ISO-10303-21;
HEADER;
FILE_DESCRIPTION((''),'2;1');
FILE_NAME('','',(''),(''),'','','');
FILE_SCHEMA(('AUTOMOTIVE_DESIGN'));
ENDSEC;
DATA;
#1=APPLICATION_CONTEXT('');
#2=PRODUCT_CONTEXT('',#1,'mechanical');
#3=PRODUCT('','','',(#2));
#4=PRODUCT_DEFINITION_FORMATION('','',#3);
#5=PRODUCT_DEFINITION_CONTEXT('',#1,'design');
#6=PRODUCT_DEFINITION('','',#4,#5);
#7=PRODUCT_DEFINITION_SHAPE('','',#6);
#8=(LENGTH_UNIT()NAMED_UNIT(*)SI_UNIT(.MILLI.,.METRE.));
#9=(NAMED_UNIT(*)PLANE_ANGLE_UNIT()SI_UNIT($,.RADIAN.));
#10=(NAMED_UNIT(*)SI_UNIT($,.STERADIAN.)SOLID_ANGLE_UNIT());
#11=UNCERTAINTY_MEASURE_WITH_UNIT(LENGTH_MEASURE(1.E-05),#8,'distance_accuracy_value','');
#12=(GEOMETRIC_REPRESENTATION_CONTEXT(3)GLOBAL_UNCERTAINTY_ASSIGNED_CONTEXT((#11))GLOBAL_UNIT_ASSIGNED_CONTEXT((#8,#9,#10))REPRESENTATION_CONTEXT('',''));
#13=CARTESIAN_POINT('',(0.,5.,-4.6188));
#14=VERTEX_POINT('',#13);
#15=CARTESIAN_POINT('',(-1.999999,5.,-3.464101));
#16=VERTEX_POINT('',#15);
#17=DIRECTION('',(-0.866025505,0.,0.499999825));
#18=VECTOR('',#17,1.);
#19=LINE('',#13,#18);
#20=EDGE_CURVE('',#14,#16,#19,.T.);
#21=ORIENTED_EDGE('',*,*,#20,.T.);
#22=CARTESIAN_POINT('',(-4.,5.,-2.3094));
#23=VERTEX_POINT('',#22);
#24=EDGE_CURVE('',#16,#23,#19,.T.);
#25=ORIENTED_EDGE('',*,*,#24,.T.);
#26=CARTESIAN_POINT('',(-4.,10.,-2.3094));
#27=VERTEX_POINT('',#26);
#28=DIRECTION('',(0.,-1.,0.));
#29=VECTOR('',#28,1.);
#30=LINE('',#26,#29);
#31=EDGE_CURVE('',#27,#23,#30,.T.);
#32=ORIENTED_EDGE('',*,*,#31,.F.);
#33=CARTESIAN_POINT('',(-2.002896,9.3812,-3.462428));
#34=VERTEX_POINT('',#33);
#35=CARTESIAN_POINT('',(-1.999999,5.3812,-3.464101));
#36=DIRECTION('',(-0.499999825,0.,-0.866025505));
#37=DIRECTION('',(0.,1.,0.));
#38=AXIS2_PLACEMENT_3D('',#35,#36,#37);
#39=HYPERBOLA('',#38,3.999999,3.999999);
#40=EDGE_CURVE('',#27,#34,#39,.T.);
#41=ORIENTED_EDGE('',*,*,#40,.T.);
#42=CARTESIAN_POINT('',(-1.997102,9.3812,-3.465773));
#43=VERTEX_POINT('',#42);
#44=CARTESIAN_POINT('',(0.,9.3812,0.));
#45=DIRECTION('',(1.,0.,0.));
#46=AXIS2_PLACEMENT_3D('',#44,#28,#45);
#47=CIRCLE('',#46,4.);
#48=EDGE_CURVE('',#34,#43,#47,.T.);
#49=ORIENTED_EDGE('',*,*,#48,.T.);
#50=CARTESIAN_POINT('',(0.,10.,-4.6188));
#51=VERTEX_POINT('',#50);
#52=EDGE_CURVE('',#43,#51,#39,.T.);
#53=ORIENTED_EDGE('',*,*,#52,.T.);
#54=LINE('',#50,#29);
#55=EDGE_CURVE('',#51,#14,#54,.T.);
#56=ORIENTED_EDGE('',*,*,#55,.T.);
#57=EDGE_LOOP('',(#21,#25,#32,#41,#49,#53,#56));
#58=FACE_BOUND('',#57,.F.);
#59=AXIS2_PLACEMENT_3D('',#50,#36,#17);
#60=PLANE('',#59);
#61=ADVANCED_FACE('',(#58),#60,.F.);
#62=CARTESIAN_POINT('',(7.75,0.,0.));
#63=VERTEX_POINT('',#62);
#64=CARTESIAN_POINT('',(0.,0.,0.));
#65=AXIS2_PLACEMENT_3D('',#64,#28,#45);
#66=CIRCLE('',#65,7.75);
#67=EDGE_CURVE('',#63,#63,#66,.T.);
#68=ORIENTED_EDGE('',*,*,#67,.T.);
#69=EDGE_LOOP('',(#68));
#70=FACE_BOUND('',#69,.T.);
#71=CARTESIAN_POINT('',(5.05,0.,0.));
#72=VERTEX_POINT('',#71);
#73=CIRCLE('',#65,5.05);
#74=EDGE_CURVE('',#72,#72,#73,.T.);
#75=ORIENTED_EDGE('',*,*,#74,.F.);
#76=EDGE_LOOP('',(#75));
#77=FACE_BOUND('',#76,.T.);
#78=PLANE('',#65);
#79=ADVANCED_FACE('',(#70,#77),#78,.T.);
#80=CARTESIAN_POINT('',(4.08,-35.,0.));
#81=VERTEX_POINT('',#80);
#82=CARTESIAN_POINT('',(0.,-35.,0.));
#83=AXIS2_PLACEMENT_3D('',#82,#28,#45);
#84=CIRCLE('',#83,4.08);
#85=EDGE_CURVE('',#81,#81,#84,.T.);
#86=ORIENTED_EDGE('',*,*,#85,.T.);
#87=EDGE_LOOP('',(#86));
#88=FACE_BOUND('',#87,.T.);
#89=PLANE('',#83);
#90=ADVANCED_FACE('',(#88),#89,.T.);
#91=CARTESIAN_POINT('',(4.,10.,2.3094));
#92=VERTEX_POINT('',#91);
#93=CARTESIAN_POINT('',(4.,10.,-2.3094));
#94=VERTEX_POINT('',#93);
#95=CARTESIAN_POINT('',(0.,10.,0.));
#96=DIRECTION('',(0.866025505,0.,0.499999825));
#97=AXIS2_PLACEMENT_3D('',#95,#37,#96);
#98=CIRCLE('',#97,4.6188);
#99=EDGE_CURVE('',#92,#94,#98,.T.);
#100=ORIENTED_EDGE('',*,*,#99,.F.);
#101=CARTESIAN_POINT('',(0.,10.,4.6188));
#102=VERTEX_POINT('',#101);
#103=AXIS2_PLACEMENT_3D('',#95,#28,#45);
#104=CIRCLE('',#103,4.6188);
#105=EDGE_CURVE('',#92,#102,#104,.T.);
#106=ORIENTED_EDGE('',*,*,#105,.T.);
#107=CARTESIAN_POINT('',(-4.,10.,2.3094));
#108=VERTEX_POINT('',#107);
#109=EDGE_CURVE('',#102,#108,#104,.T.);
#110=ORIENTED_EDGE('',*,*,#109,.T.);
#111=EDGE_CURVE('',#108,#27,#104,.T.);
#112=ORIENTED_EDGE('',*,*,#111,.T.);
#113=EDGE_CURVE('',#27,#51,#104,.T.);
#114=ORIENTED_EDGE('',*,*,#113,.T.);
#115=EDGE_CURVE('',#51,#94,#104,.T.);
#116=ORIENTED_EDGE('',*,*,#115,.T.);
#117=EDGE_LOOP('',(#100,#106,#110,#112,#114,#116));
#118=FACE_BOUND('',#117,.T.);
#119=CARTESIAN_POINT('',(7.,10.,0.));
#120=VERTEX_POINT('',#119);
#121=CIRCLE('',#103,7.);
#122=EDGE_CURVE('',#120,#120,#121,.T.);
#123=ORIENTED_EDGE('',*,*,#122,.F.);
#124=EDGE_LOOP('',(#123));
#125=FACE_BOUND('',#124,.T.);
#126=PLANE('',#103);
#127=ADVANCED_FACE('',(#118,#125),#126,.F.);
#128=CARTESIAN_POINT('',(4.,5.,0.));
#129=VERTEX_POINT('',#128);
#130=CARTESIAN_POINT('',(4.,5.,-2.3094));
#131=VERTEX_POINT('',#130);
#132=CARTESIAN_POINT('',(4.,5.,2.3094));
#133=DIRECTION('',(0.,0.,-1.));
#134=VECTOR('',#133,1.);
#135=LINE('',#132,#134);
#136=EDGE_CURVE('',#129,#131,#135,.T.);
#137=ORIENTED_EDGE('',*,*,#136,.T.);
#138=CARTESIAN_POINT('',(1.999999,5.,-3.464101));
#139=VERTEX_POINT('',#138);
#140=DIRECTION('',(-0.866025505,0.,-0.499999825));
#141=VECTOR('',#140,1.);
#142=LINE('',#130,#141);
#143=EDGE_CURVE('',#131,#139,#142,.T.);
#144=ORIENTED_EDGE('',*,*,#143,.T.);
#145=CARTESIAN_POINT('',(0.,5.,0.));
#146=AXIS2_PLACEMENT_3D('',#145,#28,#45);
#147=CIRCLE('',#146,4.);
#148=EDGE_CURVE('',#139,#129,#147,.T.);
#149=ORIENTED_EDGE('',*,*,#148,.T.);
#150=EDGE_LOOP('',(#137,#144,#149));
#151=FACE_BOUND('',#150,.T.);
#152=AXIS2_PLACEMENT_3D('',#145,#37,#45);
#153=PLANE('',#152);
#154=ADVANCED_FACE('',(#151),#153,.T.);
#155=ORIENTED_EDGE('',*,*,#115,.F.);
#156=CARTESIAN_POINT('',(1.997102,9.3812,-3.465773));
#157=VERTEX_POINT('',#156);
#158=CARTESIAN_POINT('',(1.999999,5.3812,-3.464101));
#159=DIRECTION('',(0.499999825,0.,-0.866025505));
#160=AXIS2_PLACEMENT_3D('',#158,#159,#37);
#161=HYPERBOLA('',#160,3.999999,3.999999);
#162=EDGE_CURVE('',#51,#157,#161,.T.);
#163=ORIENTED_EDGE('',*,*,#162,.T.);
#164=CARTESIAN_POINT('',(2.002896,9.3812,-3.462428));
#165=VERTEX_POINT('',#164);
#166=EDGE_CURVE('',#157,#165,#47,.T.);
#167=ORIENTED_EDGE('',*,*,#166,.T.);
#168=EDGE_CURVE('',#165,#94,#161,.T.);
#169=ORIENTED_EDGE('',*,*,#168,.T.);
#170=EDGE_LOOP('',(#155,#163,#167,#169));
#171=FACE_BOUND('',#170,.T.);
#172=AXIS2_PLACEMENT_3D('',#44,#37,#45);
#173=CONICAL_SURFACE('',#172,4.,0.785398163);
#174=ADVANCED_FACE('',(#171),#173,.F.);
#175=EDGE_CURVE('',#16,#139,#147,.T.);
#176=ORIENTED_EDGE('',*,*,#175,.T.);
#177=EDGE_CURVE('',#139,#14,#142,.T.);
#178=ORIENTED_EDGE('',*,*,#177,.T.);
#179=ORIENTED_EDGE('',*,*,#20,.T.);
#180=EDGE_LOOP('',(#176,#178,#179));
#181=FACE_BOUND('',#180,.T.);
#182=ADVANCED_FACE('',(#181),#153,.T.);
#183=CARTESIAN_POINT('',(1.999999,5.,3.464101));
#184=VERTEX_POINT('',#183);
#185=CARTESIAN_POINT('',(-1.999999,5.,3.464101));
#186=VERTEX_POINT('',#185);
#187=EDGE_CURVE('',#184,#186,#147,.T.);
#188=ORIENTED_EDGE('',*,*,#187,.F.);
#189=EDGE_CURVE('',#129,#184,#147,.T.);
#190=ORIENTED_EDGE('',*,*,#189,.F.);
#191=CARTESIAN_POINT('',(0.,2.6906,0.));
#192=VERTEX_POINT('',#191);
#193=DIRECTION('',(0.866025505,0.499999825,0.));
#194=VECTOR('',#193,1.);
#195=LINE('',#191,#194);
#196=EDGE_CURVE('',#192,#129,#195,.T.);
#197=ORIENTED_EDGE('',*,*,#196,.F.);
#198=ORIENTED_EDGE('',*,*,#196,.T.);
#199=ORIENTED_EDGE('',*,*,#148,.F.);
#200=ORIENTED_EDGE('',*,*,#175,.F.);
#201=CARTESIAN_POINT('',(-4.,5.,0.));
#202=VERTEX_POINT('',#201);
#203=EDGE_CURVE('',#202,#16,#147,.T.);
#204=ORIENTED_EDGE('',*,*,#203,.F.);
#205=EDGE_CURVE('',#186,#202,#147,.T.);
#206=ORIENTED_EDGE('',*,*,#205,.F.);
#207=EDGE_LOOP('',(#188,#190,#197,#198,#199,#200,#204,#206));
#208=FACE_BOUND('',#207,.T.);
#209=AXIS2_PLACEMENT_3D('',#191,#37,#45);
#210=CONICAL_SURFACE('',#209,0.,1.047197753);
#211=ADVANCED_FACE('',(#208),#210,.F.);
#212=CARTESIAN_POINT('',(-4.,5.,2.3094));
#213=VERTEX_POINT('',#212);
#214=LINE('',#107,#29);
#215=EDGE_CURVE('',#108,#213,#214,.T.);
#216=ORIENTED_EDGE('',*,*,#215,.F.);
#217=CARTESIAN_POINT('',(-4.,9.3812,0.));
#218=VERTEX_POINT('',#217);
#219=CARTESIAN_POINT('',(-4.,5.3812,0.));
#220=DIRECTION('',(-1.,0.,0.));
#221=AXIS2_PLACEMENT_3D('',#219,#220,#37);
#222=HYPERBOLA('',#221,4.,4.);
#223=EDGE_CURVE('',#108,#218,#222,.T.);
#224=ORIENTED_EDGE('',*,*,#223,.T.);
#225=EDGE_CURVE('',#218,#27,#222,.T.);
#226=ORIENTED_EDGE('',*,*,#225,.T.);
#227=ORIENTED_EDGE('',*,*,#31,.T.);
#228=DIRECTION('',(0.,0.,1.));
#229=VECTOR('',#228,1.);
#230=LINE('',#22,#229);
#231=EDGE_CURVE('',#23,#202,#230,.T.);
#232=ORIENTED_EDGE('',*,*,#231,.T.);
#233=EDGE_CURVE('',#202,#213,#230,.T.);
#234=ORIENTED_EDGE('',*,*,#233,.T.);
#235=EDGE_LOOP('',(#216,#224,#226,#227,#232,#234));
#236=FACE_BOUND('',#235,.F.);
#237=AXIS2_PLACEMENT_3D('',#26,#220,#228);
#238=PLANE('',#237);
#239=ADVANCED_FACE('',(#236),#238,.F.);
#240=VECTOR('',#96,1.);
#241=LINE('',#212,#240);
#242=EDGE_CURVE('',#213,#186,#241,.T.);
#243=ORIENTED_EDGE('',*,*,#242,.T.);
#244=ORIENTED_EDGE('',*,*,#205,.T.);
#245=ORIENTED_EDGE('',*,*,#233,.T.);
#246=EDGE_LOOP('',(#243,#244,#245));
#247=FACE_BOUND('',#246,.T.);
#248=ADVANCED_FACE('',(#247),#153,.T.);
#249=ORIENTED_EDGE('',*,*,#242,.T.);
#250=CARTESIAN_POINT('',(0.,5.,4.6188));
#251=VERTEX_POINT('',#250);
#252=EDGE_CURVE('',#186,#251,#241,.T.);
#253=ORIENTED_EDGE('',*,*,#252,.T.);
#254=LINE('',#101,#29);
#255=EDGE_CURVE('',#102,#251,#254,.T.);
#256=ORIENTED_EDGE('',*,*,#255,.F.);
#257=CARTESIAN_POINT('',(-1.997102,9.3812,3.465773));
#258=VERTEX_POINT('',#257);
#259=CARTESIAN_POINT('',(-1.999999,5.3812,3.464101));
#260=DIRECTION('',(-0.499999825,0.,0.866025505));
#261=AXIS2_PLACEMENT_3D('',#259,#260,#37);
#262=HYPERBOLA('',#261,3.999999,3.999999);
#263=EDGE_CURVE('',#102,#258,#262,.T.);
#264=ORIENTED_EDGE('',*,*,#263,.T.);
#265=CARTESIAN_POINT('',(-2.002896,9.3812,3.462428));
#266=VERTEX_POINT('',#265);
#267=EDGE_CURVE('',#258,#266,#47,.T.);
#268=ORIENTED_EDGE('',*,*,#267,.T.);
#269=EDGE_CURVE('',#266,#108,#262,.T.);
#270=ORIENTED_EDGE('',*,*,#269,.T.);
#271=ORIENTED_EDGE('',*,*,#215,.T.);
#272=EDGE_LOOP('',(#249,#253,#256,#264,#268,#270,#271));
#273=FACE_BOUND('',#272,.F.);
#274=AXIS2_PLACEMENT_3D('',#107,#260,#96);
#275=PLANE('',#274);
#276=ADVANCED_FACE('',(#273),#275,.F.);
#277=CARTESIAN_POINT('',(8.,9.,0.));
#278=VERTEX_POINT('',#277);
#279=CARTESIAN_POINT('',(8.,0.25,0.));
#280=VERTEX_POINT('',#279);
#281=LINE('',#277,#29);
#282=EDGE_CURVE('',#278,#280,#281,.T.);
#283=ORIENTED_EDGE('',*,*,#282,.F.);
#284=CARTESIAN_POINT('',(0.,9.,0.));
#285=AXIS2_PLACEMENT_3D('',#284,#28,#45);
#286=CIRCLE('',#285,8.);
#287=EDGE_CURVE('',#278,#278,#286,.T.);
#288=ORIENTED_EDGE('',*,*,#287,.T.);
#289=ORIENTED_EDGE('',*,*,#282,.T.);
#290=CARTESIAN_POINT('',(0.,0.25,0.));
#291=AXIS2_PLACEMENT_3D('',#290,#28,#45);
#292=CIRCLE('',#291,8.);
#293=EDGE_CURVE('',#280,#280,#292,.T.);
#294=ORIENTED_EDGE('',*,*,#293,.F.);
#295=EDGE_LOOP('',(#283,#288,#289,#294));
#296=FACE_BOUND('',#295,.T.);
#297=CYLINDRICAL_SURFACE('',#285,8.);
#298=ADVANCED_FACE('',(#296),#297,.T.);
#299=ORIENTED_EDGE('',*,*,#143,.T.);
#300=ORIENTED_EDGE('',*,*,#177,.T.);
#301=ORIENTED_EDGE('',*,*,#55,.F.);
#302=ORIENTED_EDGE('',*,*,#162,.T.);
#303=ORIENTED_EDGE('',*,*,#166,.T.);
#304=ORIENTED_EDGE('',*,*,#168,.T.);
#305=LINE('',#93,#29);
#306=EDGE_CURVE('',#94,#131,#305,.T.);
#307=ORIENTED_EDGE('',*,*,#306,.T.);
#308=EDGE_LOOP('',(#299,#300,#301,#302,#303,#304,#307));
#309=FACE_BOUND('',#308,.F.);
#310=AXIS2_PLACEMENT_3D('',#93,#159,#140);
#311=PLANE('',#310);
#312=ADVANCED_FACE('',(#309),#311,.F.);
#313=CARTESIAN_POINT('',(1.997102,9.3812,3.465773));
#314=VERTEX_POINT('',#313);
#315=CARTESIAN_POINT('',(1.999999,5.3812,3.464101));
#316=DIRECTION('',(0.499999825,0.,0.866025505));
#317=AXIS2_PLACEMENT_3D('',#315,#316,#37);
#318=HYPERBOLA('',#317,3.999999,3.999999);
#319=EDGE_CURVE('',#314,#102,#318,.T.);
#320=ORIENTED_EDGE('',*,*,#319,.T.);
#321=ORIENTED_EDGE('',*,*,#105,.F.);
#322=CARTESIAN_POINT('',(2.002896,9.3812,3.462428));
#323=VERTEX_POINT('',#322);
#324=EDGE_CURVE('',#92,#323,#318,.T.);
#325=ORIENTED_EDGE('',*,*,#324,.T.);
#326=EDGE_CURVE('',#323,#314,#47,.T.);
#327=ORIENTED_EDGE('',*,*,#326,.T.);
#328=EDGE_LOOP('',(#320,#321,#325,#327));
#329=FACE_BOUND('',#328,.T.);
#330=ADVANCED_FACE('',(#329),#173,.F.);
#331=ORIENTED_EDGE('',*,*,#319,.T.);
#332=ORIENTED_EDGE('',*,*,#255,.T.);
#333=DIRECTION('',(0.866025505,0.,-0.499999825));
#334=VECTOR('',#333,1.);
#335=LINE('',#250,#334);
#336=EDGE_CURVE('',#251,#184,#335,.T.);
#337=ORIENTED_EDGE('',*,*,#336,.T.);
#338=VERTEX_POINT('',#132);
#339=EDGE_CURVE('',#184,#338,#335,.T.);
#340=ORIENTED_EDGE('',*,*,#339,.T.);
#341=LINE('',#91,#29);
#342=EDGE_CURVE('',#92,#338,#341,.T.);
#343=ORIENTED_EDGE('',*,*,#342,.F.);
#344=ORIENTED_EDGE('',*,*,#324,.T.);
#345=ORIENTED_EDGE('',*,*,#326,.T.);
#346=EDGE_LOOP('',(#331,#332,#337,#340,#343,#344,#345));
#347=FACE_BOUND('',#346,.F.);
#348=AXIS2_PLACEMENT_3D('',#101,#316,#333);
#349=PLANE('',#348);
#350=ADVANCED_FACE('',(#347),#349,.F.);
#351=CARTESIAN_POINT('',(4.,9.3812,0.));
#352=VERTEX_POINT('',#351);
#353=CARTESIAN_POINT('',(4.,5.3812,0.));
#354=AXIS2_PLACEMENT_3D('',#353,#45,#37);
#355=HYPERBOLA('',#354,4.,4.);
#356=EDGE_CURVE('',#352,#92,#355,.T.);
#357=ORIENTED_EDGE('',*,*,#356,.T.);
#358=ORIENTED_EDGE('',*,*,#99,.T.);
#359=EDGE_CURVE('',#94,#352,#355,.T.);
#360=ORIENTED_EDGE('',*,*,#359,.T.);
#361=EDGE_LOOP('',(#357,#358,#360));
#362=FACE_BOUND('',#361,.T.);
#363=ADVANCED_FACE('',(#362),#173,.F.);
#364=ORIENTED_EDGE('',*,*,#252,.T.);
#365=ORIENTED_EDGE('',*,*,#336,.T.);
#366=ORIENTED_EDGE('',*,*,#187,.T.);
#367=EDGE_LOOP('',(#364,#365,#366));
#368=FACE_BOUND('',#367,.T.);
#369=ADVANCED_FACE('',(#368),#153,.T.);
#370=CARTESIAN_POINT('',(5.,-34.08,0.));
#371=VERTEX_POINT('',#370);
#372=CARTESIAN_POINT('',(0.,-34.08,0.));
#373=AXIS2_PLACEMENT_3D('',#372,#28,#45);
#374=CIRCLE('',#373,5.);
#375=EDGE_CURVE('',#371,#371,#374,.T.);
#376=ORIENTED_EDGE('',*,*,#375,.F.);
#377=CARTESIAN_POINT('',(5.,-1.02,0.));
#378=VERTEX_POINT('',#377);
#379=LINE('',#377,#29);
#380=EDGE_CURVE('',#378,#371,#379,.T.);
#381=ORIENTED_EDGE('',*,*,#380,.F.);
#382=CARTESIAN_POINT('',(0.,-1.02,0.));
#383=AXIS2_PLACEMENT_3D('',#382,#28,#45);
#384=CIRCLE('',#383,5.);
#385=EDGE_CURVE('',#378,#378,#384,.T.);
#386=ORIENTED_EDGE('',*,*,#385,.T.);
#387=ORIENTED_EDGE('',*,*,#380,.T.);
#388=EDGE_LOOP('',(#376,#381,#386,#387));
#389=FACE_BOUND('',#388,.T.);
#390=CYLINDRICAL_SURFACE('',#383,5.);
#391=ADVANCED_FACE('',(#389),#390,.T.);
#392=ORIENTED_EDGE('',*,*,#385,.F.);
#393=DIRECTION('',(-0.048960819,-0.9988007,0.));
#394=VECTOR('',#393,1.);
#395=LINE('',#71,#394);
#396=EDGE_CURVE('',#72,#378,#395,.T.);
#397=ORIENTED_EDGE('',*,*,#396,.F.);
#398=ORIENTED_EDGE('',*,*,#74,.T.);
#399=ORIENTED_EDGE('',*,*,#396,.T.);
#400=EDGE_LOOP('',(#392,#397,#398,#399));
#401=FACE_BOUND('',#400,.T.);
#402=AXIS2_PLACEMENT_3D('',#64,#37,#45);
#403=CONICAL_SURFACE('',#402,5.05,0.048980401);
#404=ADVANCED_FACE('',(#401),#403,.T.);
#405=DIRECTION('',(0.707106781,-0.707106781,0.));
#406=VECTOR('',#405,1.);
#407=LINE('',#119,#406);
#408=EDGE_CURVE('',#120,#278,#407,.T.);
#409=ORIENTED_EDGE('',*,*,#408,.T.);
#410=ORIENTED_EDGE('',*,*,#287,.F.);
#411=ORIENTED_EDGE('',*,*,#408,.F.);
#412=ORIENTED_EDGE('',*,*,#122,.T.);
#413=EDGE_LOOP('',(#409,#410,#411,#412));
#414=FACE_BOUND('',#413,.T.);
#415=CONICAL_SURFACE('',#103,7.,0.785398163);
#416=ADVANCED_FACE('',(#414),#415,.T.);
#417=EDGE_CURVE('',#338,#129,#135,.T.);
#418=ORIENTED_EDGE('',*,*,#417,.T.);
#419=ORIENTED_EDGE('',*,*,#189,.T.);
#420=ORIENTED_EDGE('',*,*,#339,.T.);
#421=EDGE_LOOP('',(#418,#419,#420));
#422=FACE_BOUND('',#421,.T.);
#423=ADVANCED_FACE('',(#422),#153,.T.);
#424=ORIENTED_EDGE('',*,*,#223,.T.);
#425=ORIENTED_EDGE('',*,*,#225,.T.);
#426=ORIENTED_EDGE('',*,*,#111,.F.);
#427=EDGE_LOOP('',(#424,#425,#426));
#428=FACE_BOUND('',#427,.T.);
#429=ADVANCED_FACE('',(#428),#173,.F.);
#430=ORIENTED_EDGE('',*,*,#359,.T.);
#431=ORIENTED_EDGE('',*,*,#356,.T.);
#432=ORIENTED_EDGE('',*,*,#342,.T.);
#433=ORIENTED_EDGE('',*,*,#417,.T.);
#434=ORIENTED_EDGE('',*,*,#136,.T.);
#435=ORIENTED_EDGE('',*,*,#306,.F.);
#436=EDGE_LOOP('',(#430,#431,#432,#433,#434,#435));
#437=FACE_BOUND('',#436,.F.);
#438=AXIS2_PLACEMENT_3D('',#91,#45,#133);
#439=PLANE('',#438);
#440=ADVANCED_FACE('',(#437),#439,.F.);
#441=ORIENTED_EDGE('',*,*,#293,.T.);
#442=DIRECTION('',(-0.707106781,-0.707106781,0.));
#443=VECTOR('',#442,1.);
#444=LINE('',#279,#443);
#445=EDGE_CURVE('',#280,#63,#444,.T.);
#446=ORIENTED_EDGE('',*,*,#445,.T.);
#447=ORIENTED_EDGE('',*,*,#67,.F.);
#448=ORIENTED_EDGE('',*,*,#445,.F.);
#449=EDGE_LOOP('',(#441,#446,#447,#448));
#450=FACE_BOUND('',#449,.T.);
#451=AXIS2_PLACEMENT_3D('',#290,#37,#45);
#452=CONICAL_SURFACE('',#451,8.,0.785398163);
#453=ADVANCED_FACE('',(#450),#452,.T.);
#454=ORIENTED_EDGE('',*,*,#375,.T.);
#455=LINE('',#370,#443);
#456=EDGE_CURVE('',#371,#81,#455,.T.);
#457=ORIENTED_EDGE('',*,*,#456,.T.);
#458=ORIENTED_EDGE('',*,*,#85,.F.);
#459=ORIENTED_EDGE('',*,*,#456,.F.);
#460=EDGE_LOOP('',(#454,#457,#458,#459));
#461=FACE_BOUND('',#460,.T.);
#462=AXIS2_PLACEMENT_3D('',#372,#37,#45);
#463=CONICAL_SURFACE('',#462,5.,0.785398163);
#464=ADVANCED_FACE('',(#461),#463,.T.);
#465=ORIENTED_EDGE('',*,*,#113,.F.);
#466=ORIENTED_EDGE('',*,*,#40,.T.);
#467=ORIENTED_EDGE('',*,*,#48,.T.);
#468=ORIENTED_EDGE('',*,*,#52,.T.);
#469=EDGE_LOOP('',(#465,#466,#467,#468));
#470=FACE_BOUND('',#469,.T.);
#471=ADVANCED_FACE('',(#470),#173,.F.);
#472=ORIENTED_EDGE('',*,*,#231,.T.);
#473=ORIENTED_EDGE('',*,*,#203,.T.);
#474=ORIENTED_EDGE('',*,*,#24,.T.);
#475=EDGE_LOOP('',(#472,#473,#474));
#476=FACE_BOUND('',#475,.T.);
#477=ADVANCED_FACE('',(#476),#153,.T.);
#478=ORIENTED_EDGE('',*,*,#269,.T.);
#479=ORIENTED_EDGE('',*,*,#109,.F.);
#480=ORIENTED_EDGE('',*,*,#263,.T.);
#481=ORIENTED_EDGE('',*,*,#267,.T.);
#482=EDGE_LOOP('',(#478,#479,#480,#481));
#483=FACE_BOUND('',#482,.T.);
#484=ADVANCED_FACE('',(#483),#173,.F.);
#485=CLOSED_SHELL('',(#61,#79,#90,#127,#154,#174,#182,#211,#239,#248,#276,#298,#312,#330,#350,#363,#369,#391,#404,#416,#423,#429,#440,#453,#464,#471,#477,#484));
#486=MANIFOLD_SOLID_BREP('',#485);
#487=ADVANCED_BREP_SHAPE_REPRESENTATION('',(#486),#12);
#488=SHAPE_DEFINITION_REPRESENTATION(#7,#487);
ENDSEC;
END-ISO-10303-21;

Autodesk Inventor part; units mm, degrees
sketch "Sketch_1" plane through (0, 0, 0) normal (0, 0, 1) x (1, 0, 0)
  line L0 (0, -35) -> (0, 10)
  line L1 (0, 2.6906) -> (4, 5)
  line L2 (4, 5) -> (4, 9.3812)
  line L3 (4, 9.3812) -> (4.6188, 10)
  line L4 (4.6188, 10) -> (7, 10)
  line L5 (7, 10) -> (8, 9)
  line L6 (8, 9) -> (8, 0.25)
  line L7 (8, 0.25) -> (7.75, 0)
  line L8 (7.75, 0) -> (5.05, 0)
  line L9 (5.05, 0) -> (5, -1.02)
  line L10 (5, -1.02) -> (5, -34.08)
  line L11 (5, -34.08) -> (4.08, -35)
  line L12 (4.08, -35) -> (0, -35)
  line L13 (0, -35) -> (0, 2.6906)
revolve "Revolution1" add sketch "Sketch_1" angle 360 about axis through (0, -35, 0) along (0, -1, 0)
thread "Thread1" size "M10x1.5" class "6g" standard "ISO Metric profile" length 29.58
sketch "Sketch_2" plane through (0, 10, 0) normal (0, 1, 0) x (1, 0, 0)
  line L0 (-4, -2.3094) -> (0, -4.6188)
  line L1 (0, -4.6188) -> (4, -2.3094)
  line L2 (4, -2.3094) -> (4, 2.3094)
  line L3 (4, 2.3094) -> (0, 4.6188)
  line L4 (0, 4.6188) -> (-4, 2.3094)
  line L5 (-4, 2.3094) -> (-4, -2.3094)
extrude "Extrusion1" cut sketch "Sketch_2" against normal blind 5
ref_plane "ANBAU_XY" through (0, 0, 0) normal (0, 1, 0) x (1, 0, 0)
ref_plane "ANBAU_YZ" through (0, 0, 0) normal (1, 0, 0) x (0, 0, -1)
ref_plane "ANBAU_ZX" through (0, 0, 0) normal (0, 0, -1) x (0, 1, 0)
ref_plane "Schraube_XY" through (0, 0, 0) normal (0, 1, 0) x (1, 0, 0)
ref_plane "Schraube_YZ" through (0, 0, 0) normal (1, 0, 0) x (0, 0, -1)
ref_plane "Schraube_ZX" through (0, 0, 0) normal (0, 0, -1) x (0, 1, 0)
ref_plane "insert_XY" through (0, 0, 0) normal (0, 1, 0) x (1, 0, 0)
ref_plane "insert_YZ" through (0, 0, 0) normal (1, 0, 0) x (0, 0, -1)
ref_plane "insert_ZX" through (0, 0, 0) normal (0, 0, -1) x (0, 1, 0)
ref_plane "schrauben_punkt_XY" through (0, -35, 0) normal (0, 1, 0) x (1, 0, 0)
ref_plane "schrauben_punkt_YZ" through (0, -35, 0) normal (1, 0, 0) x (0, 0, -1)
ref_plane "schrauben_punkt_ZX" through (0, -35, 0) normal (0, 0, -1) x (0, 1, 0)
properties part number "DIN-912 - M10x35(F)"
